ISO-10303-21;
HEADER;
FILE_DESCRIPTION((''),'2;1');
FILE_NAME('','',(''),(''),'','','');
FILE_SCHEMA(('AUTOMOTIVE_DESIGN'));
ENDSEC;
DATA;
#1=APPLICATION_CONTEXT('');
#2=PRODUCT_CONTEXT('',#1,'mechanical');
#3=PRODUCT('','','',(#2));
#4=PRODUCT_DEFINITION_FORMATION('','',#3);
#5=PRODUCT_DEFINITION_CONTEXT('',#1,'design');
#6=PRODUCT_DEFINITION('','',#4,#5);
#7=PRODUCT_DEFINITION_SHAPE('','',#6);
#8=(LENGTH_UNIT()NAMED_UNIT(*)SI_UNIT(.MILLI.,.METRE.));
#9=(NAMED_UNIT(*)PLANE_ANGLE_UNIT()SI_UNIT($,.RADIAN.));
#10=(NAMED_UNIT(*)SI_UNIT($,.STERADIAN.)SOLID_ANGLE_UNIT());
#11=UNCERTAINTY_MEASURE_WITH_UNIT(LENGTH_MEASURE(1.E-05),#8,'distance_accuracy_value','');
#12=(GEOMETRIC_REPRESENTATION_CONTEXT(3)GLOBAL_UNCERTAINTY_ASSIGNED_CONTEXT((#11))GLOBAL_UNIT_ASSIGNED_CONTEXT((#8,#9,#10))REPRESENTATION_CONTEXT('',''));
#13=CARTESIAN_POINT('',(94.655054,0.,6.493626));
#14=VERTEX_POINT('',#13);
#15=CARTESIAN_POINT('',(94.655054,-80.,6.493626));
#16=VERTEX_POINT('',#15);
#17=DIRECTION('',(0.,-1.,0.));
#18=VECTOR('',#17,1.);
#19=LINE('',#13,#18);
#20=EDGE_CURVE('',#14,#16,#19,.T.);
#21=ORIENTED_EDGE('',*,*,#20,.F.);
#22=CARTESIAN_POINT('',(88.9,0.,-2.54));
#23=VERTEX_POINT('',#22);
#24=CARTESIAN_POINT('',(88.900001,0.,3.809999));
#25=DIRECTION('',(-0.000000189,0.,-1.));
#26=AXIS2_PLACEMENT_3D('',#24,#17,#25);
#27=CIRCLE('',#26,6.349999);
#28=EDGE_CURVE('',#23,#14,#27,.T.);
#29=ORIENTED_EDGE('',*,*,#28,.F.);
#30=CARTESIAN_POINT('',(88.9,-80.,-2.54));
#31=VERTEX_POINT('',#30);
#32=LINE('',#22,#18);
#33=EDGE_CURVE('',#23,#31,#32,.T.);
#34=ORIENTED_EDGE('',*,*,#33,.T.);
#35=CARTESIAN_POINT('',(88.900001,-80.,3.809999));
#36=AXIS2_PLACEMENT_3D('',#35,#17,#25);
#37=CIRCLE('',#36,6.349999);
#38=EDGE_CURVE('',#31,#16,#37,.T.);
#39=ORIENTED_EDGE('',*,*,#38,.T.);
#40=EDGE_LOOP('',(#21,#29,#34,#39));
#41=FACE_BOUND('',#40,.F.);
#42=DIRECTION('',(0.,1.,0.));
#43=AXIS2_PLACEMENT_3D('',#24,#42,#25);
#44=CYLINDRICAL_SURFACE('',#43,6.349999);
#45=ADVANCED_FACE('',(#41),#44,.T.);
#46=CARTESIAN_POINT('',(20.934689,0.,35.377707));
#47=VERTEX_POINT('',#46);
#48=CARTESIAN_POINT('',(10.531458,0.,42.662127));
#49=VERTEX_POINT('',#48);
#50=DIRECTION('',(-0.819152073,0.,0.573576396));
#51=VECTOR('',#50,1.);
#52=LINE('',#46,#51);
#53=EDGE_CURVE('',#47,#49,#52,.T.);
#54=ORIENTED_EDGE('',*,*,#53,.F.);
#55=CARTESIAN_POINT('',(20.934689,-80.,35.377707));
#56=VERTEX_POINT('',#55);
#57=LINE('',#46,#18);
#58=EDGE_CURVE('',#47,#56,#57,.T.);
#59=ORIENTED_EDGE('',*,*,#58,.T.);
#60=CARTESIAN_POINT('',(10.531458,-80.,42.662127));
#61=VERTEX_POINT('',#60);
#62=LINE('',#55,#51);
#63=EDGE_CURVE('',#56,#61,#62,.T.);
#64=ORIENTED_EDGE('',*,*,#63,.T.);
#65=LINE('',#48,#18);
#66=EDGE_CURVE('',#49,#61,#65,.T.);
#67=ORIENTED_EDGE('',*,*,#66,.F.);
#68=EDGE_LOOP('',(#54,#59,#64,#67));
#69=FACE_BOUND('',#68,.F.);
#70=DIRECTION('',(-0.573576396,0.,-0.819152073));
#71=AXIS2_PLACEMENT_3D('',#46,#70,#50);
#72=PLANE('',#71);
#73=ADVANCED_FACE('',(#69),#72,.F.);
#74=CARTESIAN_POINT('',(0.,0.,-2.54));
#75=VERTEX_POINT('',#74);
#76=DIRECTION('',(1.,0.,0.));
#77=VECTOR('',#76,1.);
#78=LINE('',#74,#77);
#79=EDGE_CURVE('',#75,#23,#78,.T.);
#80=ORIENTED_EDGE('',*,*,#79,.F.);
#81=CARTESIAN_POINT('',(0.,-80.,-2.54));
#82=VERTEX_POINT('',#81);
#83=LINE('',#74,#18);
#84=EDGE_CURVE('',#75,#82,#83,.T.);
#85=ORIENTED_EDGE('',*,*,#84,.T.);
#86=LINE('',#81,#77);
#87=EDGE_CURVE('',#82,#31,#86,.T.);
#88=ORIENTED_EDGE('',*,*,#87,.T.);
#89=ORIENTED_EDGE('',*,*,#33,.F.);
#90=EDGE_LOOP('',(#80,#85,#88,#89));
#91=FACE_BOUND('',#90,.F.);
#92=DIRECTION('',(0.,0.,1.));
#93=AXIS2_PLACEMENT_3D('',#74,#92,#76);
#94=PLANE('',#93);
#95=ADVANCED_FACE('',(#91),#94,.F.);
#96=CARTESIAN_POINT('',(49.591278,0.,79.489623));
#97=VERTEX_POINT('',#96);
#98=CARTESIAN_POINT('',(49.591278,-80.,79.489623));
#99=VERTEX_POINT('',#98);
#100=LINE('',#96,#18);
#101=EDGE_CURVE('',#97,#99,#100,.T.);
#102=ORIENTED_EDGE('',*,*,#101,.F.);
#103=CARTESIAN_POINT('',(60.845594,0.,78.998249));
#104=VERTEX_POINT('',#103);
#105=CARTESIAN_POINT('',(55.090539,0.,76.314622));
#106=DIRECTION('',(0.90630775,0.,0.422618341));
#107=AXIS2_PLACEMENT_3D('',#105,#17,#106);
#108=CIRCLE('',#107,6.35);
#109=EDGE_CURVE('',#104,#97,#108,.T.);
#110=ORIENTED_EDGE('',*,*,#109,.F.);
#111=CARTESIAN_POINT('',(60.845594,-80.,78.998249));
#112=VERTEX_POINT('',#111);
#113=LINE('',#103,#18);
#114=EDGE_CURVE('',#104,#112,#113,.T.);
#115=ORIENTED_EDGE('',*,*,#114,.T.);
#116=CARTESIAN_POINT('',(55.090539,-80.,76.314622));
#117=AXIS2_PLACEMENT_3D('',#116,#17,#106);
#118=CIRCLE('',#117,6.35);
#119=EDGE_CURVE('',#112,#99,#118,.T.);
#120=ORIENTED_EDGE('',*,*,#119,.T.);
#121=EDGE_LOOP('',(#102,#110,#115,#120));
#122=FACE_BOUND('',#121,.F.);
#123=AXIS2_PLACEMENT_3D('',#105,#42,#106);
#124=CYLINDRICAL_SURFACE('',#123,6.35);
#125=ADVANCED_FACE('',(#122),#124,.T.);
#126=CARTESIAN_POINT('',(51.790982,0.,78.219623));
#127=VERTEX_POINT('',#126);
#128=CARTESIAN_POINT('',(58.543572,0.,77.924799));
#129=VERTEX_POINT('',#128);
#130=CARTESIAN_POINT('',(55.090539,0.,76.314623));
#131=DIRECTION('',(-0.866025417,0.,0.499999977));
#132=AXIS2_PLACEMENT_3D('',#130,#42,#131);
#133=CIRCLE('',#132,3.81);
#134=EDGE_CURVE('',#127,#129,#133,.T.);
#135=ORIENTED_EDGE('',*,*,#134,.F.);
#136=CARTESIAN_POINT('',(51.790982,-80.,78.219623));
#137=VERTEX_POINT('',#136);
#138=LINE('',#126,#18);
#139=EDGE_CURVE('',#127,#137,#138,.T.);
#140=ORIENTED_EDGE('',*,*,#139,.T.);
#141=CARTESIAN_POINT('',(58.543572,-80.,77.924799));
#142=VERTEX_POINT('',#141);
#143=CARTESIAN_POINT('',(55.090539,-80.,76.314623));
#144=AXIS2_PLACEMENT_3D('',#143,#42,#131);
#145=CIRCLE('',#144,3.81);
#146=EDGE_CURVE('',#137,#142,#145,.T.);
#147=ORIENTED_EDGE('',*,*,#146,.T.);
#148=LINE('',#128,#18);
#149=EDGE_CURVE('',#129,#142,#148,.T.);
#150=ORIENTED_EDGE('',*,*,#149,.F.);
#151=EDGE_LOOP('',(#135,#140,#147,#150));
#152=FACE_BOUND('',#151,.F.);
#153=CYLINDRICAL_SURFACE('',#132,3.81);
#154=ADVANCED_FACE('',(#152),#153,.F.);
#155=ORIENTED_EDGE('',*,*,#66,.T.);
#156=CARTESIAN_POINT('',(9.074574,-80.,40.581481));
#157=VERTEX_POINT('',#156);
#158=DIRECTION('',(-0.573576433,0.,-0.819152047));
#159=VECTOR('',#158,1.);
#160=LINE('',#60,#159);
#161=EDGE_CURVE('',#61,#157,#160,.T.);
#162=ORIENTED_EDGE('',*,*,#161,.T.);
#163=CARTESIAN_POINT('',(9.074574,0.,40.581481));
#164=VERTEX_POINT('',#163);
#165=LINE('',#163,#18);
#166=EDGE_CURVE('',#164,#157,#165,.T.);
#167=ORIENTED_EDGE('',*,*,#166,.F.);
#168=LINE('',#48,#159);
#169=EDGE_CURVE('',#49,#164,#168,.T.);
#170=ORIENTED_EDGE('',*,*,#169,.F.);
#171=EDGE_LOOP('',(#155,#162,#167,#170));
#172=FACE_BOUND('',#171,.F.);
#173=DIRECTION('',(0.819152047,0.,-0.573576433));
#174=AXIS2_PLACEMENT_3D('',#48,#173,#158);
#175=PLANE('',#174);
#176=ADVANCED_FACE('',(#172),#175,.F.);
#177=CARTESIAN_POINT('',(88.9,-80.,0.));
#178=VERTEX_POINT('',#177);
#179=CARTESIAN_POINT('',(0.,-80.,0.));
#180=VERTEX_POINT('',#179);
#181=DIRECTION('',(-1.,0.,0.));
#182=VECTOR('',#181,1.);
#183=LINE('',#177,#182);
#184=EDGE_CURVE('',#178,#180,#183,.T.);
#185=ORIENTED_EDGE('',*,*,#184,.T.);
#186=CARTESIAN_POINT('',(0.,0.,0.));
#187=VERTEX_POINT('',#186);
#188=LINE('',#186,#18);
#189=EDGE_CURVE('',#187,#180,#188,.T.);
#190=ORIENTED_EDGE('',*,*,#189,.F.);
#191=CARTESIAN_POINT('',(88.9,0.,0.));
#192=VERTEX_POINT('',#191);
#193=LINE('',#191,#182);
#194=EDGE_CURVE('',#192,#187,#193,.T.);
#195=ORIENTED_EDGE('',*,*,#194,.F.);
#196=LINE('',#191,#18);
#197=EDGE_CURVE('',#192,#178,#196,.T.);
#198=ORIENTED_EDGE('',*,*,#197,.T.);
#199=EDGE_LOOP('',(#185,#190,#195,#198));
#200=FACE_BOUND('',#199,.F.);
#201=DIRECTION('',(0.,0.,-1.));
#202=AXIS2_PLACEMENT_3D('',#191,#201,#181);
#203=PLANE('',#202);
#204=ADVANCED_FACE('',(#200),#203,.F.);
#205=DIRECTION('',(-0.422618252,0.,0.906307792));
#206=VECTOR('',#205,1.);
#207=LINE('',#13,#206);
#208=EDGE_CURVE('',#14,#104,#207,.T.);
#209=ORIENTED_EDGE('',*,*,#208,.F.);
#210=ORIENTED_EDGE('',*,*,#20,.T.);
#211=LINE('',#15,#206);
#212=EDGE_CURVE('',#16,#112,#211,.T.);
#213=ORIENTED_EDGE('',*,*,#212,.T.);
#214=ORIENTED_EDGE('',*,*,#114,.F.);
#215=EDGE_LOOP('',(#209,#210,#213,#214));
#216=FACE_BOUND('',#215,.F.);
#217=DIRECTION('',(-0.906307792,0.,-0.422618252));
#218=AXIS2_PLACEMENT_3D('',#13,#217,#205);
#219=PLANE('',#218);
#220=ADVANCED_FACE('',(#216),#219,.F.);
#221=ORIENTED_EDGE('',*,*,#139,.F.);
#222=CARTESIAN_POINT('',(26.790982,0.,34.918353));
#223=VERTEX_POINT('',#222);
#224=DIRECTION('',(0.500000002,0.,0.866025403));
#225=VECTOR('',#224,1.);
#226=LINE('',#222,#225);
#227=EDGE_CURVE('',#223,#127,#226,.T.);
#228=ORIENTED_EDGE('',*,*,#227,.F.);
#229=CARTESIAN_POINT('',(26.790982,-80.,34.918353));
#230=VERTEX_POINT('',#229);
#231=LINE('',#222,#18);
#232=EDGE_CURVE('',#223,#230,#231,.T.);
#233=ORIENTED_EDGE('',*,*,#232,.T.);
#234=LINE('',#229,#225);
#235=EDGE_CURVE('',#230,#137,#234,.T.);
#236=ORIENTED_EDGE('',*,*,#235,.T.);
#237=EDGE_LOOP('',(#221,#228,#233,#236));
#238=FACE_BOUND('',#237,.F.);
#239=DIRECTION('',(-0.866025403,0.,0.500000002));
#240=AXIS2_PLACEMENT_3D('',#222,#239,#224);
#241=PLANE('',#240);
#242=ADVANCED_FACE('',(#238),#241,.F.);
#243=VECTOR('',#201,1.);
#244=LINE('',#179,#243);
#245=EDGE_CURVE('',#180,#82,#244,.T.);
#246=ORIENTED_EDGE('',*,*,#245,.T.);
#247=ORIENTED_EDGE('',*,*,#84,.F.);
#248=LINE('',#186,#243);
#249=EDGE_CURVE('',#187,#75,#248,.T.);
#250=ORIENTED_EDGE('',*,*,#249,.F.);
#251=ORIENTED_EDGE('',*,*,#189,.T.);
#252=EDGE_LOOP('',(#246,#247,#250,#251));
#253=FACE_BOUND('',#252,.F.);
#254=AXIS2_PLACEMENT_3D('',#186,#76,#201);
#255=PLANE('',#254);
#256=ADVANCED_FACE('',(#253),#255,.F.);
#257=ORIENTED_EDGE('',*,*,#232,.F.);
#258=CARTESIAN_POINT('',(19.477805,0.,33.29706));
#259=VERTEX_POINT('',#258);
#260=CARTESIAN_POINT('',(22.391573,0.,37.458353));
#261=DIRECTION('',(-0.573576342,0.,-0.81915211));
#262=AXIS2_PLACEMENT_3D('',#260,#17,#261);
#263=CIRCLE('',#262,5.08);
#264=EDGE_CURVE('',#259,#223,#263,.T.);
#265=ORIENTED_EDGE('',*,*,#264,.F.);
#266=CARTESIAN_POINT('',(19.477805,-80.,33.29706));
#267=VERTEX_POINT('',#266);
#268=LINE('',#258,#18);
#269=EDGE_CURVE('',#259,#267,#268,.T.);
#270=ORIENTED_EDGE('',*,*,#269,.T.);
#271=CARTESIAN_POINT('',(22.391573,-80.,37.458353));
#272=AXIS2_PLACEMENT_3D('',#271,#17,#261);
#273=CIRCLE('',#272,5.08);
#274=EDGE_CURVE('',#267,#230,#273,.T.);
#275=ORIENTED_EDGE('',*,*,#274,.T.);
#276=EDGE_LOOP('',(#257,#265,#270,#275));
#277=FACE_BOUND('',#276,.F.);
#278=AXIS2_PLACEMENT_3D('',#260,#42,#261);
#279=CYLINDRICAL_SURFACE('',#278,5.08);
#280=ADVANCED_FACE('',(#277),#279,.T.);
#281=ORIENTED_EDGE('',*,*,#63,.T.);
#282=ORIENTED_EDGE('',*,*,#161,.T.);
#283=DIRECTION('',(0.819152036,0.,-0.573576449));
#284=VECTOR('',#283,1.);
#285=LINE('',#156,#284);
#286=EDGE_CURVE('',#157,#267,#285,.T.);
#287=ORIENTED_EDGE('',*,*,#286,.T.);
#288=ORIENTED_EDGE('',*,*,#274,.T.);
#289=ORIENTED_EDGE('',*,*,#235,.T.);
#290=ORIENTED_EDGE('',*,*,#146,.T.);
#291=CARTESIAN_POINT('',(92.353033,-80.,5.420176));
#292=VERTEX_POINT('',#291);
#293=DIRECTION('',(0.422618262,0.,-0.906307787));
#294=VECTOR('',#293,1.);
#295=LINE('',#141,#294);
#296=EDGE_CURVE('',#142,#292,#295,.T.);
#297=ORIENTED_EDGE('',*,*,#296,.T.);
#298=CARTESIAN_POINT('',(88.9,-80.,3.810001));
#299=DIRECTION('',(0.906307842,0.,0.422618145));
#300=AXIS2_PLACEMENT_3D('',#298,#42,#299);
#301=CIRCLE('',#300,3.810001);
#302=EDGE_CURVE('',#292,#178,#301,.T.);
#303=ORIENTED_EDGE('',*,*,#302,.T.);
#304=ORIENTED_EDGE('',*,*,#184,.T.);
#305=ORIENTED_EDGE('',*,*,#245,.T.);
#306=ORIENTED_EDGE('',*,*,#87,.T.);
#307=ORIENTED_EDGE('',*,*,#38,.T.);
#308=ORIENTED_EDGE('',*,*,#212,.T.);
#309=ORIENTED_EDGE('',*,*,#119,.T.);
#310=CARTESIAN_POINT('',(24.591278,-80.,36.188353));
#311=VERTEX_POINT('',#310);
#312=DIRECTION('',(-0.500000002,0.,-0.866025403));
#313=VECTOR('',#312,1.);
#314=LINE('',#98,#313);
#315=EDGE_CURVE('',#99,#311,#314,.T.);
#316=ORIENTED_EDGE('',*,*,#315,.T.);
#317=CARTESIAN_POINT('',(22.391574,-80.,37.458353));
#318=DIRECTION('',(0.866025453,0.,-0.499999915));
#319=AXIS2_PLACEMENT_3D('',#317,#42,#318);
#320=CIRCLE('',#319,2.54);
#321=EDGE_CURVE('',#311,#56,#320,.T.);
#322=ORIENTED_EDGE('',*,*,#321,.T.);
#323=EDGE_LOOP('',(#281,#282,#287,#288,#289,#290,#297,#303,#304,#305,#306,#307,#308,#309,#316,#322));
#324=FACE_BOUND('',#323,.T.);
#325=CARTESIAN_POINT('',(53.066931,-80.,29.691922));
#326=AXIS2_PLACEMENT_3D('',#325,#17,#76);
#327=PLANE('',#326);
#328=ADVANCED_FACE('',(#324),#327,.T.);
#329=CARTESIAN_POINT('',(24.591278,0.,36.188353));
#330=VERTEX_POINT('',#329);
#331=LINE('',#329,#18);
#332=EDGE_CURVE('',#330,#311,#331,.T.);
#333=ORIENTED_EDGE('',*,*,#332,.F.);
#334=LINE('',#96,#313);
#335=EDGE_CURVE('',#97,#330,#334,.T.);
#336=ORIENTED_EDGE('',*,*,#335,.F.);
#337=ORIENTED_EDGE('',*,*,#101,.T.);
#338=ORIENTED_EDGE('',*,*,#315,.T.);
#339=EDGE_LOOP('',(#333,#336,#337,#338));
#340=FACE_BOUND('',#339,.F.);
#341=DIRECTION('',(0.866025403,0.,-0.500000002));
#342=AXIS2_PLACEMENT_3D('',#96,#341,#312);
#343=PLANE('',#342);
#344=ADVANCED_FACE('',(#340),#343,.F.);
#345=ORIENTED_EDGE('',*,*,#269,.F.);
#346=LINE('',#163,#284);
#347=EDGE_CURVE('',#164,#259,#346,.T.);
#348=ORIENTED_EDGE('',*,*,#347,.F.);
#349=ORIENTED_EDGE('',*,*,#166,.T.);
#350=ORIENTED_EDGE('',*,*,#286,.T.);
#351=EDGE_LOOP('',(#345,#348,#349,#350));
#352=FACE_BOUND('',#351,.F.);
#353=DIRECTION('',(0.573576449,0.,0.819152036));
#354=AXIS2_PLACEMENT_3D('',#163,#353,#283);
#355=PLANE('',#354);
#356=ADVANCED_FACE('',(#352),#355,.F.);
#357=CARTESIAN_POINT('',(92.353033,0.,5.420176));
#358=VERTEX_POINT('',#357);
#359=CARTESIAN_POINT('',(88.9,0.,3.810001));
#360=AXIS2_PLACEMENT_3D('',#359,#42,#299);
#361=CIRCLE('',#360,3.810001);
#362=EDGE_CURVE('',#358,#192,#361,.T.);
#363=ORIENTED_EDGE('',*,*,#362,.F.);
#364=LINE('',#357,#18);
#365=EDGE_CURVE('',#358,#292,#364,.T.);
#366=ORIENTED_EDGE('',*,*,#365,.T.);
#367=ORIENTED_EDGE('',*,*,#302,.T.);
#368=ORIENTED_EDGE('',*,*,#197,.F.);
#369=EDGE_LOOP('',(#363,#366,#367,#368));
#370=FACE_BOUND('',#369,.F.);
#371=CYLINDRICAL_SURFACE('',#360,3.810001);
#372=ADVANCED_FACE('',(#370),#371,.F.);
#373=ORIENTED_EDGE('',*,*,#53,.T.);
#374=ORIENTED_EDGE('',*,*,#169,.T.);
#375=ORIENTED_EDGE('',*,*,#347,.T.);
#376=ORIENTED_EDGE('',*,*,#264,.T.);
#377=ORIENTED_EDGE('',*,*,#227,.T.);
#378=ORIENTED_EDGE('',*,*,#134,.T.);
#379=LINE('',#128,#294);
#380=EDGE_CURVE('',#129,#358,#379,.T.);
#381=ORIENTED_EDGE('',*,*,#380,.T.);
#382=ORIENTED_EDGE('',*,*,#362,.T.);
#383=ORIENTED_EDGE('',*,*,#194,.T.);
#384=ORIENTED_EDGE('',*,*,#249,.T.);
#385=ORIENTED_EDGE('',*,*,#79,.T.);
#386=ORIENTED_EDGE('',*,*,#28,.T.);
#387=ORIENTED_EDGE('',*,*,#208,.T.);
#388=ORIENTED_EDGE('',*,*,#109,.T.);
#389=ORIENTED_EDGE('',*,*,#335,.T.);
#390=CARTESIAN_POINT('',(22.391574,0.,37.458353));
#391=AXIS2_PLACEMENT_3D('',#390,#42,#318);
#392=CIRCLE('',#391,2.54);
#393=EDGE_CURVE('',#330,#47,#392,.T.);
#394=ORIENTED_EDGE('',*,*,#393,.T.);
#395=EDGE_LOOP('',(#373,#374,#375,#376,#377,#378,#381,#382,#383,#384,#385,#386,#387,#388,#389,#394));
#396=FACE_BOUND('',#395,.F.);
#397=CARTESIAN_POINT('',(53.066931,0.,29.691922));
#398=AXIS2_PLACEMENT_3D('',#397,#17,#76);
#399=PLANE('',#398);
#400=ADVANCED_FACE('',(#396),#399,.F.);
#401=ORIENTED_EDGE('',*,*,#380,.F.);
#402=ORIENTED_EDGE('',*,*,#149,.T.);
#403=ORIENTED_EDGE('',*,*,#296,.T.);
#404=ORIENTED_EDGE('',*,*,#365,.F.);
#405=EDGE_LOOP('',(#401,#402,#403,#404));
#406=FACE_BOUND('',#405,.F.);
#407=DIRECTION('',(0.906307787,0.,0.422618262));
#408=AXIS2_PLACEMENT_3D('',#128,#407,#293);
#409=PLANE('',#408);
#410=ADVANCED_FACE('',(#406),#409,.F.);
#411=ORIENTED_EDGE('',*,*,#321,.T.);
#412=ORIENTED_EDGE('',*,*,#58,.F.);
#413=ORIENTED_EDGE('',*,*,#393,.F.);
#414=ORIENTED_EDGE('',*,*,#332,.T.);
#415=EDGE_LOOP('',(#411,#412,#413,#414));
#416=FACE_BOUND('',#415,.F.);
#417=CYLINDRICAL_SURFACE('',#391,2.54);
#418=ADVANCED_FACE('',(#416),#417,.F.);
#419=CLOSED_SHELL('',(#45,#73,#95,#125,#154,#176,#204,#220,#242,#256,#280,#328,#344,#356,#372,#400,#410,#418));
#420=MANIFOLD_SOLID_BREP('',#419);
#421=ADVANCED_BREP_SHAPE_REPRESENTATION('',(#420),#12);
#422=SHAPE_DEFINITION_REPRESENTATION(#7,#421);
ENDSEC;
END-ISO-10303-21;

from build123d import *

# Parameters (mm, degrees)
F1_DEPTH = 80


with BuildPart() as f1:
    # F0 (on Front) → F1 (new body)
    with BuildSketch(Plane.XZ):
        with BuildLine():
            Line((88.9, 0), (0, 0))
            Line((0, 0), (0, -2.54))
            Line((0, -2.54), (88.9, -2.54))
            ThreePointArc((88.9, -2.54), (94.255536, 0.398147), (94.655054, 6.493626))
            Line((94.655054, 6.493626), (60.845594, 78.998249))
            ThreePointArc((60.845594, 78.998249), (55.367522, 82.658579), (49.591278, 79.489623))
            Line((49.591278, 79.489623), (24.591278, 36.188353))
            ThreePointArc((24.591278, 36.188353), (22.94133, 34.978561), (20.934689, 35.377707))
            Line((20.934689, 35.377707), (10.531458, 42.662127))
            Line((10.531458, 42.662127), (9.074574, 40.581481))
            Line((9.074574, 40.581481), (19.477805, 33.29706))
            ThreePointArc((19.477805, 33.29706), (23.491086, 32.498769), (26.790982, 34.918353))
            Line((26.790982, 34.918353), (51.790982, 78.219623))
            ThreePointArc((51.790982, 78.219623), (55.256729, 80.120997), (58.543572, 77.924799))
            Line((58.543572, 77.924799), (92.353033, 5.420176))
            ThreePointArc((92.353033, 5.420176), (92.113321, 1.762888), (88.9, 0))
        make_face()
    extrude(amount=F1_DEPTH)


solid = f1.part
